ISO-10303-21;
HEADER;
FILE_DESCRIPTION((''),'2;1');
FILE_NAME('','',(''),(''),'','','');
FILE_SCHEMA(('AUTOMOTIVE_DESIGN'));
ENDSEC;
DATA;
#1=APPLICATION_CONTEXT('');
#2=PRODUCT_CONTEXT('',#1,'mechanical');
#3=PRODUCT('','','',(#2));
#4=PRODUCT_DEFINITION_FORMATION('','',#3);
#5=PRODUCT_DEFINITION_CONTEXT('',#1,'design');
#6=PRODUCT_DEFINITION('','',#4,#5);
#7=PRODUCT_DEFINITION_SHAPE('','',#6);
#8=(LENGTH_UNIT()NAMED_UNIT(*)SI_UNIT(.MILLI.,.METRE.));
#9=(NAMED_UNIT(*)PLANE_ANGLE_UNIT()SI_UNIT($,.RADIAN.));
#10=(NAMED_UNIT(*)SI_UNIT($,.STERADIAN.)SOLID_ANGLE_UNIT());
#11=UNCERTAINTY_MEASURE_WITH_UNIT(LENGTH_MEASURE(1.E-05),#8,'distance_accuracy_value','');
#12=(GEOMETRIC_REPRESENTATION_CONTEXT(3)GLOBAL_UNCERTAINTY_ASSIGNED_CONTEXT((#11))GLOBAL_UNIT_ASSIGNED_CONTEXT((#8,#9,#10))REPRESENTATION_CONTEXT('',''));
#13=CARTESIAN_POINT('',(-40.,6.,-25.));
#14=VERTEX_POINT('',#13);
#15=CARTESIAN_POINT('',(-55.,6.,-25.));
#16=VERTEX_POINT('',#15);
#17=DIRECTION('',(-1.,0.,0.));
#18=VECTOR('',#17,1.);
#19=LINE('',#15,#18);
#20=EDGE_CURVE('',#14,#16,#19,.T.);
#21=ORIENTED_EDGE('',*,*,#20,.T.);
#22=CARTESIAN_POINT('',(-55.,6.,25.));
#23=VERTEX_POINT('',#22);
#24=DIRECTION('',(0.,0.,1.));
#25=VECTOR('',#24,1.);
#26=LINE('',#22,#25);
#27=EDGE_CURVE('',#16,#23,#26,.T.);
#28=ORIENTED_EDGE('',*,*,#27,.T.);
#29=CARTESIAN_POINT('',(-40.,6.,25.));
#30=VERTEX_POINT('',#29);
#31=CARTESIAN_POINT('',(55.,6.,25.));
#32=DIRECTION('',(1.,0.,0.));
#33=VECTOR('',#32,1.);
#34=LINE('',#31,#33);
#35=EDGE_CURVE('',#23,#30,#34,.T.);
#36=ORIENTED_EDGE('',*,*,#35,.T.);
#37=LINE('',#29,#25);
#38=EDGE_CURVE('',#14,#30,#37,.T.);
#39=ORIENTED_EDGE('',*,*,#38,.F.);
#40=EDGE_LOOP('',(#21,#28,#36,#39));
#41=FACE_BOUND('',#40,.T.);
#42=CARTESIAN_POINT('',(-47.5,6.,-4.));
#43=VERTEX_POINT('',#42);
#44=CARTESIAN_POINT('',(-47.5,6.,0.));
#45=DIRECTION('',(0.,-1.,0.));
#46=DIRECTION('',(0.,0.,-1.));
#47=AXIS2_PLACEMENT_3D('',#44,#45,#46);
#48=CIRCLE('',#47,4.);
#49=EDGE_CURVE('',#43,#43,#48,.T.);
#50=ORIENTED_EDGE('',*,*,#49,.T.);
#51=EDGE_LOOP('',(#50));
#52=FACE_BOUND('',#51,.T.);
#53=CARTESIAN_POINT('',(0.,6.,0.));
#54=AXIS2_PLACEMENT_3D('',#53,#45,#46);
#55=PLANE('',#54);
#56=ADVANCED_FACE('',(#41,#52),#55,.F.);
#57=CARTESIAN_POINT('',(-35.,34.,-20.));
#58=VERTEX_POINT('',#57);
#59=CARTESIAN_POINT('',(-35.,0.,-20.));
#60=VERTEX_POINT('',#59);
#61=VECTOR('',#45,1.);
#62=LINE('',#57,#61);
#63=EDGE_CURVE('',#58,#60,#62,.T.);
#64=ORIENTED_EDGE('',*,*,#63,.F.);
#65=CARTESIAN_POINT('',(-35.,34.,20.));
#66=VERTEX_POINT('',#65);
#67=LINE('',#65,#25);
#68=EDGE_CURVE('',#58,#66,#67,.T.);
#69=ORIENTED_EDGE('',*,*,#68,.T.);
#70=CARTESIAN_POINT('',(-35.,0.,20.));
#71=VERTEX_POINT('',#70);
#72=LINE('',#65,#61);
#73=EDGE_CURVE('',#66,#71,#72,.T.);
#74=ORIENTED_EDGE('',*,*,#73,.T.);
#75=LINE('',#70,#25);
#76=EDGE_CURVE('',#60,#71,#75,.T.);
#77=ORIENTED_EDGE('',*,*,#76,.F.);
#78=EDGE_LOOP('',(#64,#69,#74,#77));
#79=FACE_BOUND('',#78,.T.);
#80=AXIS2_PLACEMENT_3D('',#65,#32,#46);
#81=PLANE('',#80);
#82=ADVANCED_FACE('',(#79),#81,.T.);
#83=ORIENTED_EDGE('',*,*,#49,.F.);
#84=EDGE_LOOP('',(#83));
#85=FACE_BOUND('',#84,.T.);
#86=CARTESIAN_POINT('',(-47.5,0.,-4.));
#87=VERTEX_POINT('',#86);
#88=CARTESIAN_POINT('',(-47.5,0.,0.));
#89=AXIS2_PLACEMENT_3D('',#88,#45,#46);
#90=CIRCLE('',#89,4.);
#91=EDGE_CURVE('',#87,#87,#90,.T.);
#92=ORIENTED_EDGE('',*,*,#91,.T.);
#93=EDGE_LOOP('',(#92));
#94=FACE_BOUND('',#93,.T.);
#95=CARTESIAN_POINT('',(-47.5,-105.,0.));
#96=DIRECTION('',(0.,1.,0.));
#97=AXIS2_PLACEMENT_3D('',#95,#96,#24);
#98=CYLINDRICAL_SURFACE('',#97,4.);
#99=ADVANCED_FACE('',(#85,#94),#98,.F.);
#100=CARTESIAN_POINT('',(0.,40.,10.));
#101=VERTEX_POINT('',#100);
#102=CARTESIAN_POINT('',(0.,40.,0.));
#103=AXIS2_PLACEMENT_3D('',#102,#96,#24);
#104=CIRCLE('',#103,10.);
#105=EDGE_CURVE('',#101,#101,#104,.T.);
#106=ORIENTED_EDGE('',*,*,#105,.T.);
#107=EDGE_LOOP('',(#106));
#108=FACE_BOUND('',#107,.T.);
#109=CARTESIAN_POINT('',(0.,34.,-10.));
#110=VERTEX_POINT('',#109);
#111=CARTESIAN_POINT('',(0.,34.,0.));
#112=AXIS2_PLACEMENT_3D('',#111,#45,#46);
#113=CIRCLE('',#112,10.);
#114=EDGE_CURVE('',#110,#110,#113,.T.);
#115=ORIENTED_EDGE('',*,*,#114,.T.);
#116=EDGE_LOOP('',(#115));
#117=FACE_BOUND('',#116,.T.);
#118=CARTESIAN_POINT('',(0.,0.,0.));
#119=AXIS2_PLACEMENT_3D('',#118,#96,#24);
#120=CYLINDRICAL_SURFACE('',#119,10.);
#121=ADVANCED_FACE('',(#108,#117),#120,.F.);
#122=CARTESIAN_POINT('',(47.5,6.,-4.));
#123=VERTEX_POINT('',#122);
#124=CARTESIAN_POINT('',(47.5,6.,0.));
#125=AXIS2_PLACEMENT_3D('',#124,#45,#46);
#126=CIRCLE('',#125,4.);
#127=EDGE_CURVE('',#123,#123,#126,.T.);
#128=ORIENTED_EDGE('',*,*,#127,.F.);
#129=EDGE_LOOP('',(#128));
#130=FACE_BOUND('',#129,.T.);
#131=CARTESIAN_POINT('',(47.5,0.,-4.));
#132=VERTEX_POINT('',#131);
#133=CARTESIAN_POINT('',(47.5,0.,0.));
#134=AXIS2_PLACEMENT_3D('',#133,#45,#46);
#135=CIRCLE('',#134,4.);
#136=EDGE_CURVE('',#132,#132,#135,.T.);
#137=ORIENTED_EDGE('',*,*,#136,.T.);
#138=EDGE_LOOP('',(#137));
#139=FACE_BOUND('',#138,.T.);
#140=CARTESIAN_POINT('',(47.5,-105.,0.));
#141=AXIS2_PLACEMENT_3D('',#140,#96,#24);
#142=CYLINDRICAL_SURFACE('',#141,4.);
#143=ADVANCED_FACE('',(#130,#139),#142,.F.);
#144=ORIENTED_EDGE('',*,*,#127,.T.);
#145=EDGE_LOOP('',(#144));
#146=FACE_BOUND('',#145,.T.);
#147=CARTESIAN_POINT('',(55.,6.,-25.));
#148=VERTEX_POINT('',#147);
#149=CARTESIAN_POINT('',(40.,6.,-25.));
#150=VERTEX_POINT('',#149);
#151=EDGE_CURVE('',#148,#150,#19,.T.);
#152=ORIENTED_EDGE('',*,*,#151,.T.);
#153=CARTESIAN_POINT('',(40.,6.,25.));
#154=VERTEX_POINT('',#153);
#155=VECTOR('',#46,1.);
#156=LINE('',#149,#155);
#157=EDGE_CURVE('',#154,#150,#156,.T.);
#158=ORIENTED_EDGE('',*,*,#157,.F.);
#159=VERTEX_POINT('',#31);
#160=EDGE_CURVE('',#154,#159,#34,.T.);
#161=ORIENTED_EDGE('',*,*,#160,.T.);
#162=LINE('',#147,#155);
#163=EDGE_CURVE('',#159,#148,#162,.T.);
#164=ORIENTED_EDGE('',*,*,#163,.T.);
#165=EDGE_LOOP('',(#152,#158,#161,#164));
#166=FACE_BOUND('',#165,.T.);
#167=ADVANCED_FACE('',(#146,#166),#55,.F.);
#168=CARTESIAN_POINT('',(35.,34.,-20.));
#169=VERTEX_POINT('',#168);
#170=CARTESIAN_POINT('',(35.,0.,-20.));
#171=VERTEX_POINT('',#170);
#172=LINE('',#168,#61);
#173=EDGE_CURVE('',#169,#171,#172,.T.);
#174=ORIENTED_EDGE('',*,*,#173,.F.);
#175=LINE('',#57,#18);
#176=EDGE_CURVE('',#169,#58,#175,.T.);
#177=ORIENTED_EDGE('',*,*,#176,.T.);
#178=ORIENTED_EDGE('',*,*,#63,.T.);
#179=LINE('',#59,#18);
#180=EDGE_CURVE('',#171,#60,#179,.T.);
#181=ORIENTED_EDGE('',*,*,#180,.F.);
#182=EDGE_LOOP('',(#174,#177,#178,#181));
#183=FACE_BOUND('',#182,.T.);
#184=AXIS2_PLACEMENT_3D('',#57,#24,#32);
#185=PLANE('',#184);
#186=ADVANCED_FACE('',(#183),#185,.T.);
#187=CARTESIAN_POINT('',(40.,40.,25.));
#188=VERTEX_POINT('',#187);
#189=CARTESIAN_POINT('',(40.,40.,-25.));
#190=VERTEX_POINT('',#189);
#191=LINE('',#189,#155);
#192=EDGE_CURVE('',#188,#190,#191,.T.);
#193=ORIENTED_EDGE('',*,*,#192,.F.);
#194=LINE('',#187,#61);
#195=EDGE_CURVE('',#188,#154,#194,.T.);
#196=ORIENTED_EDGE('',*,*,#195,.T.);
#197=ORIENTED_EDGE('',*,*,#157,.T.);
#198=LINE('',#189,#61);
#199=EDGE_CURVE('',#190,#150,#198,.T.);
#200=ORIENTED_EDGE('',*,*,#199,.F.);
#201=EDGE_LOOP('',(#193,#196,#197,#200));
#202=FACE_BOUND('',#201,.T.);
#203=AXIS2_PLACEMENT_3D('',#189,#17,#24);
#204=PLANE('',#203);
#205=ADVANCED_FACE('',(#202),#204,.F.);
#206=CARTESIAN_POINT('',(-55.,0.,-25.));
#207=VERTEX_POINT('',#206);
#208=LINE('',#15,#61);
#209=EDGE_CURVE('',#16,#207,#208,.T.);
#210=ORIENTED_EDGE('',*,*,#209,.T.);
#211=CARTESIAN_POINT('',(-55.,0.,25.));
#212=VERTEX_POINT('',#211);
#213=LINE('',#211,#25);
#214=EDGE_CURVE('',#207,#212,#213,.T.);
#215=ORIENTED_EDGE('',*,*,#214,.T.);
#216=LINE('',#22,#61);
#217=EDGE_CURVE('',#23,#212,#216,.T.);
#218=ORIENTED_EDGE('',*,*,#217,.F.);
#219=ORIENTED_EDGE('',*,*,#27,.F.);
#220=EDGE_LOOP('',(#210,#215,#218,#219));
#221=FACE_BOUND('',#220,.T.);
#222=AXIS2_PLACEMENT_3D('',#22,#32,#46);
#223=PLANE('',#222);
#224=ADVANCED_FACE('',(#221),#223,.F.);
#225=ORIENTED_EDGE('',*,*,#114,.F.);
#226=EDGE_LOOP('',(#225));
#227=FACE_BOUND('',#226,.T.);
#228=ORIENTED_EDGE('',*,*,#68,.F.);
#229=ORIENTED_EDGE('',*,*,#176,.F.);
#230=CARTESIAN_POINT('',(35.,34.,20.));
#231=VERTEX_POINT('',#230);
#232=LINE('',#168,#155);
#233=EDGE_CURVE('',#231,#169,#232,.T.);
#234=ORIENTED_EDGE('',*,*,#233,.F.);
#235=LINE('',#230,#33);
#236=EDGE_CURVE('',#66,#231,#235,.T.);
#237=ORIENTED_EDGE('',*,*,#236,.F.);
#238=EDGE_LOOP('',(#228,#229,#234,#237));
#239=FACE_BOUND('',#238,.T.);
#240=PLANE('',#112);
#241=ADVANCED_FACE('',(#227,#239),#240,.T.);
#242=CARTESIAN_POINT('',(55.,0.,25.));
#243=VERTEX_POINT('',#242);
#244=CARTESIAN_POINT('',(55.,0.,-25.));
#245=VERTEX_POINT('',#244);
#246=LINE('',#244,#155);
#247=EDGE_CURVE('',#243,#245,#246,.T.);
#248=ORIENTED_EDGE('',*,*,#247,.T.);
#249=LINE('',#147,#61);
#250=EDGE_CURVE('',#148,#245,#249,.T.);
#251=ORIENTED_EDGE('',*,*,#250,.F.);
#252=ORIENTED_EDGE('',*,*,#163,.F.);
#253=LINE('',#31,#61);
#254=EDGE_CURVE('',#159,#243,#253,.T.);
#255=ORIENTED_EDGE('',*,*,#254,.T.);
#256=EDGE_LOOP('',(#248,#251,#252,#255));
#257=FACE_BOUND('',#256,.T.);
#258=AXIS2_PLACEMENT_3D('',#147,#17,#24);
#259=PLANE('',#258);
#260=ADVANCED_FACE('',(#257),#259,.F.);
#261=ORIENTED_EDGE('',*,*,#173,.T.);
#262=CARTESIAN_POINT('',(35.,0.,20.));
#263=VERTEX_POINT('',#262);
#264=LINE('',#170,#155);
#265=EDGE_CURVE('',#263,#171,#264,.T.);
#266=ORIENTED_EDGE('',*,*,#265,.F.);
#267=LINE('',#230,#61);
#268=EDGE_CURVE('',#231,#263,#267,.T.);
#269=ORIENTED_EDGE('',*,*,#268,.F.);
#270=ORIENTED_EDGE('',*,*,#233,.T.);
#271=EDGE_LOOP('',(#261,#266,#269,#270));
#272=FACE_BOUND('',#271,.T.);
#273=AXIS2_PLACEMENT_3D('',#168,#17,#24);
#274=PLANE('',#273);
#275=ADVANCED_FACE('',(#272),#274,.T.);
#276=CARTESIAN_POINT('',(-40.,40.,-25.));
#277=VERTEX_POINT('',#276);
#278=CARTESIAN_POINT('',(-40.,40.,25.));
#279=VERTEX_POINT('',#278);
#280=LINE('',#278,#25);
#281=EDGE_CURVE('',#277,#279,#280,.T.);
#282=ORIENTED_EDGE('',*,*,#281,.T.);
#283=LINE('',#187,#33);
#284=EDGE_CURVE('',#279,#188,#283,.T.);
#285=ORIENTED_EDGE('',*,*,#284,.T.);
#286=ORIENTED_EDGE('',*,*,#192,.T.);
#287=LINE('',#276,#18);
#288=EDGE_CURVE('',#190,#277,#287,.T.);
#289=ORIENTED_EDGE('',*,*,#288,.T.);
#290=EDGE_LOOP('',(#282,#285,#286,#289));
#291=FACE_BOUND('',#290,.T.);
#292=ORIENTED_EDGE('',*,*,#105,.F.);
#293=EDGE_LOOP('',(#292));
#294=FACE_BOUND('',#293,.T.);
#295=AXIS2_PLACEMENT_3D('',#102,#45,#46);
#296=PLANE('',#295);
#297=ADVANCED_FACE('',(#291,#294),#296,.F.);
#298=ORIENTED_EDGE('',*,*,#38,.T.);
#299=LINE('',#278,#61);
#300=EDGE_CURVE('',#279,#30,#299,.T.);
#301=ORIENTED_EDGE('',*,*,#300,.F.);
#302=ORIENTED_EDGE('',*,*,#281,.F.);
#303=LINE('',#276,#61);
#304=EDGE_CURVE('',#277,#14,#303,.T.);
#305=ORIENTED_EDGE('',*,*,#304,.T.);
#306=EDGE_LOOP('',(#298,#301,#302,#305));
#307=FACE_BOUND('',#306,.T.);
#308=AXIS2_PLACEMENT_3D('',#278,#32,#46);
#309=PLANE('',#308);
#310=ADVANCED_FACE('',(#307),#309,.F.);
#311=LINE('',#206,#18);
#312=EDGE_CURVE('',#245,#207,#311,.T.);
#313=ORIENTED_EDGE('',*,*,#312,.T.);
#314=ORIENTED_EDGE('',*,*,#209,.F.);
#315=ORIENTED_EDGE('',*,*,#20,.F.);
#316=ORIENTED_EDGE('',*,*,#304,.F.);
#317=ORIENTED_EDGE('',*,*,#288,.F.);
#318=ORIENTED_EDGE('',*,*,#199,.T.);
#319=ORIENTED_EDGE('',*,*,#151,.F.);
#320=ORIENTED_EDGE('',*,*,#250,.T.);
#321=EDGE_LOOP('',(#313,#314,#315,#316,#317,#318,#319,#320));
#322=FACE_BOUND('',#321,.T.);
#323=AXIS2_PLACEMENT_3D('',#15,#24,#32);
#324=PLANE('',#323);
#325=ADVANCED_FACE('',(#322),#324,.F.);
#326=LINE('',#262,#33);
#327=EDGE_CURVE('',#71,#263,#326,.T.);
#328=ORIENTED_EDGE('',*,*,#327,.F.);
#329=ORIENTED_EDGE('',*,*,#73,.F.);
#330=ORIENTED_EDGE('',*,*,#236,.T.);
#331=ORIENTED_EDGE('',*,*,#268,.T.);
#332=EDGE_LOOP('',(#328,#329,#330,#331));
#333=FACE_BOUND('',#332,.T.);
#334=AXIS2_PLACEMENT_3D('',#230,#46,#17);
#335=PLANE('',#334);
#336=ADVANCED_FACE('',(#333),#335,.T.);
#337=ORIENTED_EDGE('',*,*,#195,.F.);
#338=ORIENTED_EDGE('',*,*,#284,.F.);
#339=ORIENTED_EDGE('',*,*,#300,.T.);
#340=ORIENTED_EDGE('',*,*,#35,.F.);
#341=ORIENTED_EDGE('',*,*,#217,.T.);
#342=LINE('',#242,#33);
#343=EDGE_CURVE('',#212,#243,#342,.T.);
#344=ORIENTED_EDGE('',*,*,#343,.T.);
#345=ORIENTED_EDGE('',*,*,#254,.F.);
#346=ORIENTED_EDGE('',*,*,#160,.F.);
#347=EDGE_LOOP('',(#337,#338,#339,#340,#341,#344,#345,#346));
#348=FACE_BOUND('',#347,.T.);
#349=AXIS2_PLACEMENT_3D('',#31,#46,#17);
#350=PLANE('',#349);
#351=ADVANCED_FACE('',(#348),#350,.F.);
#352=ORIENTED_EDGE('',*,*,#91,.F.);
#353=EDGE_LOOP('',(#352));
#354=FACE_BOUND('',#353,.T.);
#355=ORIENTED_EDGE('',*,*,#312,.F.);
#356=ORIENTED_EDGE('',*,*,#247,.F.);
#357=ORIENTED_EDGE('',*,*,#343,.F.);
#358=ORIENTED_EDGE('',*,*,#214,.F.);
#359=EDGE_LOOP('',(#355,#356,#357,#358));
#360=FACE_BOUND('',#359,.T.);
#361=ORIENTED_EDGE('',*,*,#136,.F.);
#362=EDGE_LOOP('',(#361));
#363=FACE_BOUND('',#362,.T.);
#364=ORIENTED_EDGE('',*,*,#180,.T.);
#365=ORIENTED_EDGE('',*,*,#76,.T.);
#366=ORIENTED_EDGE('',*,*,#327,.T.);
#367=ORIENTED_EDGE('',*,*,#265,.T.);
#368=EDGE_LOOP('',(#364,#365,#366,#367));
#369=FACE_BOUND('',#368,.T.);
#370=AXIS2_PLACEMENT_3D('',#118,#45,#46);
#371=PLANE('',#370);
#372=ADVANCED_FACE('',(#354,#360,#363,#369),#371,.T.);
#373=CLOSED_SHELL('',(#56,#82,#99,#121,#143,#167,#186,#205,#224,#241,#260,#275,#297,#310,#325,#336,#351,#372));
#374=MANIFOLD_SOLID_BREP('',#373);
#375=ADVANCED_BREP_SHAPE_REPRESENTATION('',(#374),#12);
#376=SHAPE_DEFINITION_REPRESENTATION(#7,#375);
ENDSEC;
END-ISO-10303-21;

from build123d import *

# Parameters (mm, degrees)
SKETCH_1_W          = 110
SKETCH_1_H          = 50
EXTRUDE_1_DEPTH     = 6
SKETCH_2_W          = 80
SKETCH_2_H          = 50
EXTRUDE_2_DEPTH     = 34
SKETCH_3_W          = 70
SKETCH_3_H          = 40
CUT_EXTRUDE_1_DEPTH = 28
SKETCH_4_R          = 10
CUT_EXTRUDE_2_DEPTH = 73.456883731
SKETCH_5_R          = 4
CUT_EXTRUDE_3_DEPTH = 111
SKETCH_6_W          = 70
SKETCH_6_H          = 40
CUT_EXTRUDE_4_DEPTH = 6


with BuildPart() as part:
    # 草图1 → 凸台-拉伸1 (new body)
    with BuildSketch(Plane(origin=(0, 0, 0), x_dir=(1, 0, 0), z_dir=(0, 1, 0))):
        Rectangle(SKETCH_1_W, SKETCH_1_H)
    extrude(amount=EXTRUDE_1_DEPTH)

    # 草图2 → 凸台-拉伸2 (add)
    with BuildSketch(Plane(origin=(0, 6, 0), x_dir=(1, 0, 0), z_dir=(0, 1, 0))):
        Rectangle(SKETCH_2_W, SKETCH_2_H)
    extrude(amount=EXTRUDE_2_DEPTH)

    # 草图3 → 切除-拉伸1 (cut)
    with BuildSketch(Plane(origin=(0, 6, 0), x_dir=(1, 0, 0), z_dir=(0, 1, 0))):
        Rectangle(SKETCH_3_W, SKETCH_3_H)
    extrude(amount=CUT_EXTRUDE_1_DEPTH, mode=Mode.SUBTRACT)

    # 草图4 → 切除-拉伸2 (cut, through all)
    with BuildSketch(Plane(origin=(0, 40, 0), x_dir=(1, 0, 0), z_dir=(0, 1, 0))):
        with Locations(Location((0, 0, 0), (0, 0, 270))):
            Circle(SKETCH_4_R)
    extrude(amount=-CUT_EXTRUDE_2_DEPTH, mode=Mode.SUBTRACT)

    # 草图5 → 切除-拉伸3 (cut, symmetric)
    with BuildSketch(Plane(origin=(0, 6, 0), x_dir=(1, 0, 0), z_dir=(0, 1, 0))):
        with Locations(Location((-47.5, 0, 0), (0, 0, 90))):
            Circle(SKETCH_5_R)
        with Locations(Location((47.5, 0, 0), (0, 0, 90))):
            Circle(SKETCH_5_R)
    extrude(amount=CUT_EXTRUDE_3_DEPTH, both=True, mode=Mode.SUBTRACT)

    # 草图6 → 切除-拉伸4 (cut)
    with BuildSketch(Plane(origin=(0, 0, 0), x_dir=(1, 0, 0), z_dir=(0, 1, 0))):
        Rectangle(SKETCH_6_W, SKETCH_6_H)
    extrude(amount=CUT_EXTRUDE_4_DEPTH, mode=Mode.SUBTRACT)


solid = part.part
